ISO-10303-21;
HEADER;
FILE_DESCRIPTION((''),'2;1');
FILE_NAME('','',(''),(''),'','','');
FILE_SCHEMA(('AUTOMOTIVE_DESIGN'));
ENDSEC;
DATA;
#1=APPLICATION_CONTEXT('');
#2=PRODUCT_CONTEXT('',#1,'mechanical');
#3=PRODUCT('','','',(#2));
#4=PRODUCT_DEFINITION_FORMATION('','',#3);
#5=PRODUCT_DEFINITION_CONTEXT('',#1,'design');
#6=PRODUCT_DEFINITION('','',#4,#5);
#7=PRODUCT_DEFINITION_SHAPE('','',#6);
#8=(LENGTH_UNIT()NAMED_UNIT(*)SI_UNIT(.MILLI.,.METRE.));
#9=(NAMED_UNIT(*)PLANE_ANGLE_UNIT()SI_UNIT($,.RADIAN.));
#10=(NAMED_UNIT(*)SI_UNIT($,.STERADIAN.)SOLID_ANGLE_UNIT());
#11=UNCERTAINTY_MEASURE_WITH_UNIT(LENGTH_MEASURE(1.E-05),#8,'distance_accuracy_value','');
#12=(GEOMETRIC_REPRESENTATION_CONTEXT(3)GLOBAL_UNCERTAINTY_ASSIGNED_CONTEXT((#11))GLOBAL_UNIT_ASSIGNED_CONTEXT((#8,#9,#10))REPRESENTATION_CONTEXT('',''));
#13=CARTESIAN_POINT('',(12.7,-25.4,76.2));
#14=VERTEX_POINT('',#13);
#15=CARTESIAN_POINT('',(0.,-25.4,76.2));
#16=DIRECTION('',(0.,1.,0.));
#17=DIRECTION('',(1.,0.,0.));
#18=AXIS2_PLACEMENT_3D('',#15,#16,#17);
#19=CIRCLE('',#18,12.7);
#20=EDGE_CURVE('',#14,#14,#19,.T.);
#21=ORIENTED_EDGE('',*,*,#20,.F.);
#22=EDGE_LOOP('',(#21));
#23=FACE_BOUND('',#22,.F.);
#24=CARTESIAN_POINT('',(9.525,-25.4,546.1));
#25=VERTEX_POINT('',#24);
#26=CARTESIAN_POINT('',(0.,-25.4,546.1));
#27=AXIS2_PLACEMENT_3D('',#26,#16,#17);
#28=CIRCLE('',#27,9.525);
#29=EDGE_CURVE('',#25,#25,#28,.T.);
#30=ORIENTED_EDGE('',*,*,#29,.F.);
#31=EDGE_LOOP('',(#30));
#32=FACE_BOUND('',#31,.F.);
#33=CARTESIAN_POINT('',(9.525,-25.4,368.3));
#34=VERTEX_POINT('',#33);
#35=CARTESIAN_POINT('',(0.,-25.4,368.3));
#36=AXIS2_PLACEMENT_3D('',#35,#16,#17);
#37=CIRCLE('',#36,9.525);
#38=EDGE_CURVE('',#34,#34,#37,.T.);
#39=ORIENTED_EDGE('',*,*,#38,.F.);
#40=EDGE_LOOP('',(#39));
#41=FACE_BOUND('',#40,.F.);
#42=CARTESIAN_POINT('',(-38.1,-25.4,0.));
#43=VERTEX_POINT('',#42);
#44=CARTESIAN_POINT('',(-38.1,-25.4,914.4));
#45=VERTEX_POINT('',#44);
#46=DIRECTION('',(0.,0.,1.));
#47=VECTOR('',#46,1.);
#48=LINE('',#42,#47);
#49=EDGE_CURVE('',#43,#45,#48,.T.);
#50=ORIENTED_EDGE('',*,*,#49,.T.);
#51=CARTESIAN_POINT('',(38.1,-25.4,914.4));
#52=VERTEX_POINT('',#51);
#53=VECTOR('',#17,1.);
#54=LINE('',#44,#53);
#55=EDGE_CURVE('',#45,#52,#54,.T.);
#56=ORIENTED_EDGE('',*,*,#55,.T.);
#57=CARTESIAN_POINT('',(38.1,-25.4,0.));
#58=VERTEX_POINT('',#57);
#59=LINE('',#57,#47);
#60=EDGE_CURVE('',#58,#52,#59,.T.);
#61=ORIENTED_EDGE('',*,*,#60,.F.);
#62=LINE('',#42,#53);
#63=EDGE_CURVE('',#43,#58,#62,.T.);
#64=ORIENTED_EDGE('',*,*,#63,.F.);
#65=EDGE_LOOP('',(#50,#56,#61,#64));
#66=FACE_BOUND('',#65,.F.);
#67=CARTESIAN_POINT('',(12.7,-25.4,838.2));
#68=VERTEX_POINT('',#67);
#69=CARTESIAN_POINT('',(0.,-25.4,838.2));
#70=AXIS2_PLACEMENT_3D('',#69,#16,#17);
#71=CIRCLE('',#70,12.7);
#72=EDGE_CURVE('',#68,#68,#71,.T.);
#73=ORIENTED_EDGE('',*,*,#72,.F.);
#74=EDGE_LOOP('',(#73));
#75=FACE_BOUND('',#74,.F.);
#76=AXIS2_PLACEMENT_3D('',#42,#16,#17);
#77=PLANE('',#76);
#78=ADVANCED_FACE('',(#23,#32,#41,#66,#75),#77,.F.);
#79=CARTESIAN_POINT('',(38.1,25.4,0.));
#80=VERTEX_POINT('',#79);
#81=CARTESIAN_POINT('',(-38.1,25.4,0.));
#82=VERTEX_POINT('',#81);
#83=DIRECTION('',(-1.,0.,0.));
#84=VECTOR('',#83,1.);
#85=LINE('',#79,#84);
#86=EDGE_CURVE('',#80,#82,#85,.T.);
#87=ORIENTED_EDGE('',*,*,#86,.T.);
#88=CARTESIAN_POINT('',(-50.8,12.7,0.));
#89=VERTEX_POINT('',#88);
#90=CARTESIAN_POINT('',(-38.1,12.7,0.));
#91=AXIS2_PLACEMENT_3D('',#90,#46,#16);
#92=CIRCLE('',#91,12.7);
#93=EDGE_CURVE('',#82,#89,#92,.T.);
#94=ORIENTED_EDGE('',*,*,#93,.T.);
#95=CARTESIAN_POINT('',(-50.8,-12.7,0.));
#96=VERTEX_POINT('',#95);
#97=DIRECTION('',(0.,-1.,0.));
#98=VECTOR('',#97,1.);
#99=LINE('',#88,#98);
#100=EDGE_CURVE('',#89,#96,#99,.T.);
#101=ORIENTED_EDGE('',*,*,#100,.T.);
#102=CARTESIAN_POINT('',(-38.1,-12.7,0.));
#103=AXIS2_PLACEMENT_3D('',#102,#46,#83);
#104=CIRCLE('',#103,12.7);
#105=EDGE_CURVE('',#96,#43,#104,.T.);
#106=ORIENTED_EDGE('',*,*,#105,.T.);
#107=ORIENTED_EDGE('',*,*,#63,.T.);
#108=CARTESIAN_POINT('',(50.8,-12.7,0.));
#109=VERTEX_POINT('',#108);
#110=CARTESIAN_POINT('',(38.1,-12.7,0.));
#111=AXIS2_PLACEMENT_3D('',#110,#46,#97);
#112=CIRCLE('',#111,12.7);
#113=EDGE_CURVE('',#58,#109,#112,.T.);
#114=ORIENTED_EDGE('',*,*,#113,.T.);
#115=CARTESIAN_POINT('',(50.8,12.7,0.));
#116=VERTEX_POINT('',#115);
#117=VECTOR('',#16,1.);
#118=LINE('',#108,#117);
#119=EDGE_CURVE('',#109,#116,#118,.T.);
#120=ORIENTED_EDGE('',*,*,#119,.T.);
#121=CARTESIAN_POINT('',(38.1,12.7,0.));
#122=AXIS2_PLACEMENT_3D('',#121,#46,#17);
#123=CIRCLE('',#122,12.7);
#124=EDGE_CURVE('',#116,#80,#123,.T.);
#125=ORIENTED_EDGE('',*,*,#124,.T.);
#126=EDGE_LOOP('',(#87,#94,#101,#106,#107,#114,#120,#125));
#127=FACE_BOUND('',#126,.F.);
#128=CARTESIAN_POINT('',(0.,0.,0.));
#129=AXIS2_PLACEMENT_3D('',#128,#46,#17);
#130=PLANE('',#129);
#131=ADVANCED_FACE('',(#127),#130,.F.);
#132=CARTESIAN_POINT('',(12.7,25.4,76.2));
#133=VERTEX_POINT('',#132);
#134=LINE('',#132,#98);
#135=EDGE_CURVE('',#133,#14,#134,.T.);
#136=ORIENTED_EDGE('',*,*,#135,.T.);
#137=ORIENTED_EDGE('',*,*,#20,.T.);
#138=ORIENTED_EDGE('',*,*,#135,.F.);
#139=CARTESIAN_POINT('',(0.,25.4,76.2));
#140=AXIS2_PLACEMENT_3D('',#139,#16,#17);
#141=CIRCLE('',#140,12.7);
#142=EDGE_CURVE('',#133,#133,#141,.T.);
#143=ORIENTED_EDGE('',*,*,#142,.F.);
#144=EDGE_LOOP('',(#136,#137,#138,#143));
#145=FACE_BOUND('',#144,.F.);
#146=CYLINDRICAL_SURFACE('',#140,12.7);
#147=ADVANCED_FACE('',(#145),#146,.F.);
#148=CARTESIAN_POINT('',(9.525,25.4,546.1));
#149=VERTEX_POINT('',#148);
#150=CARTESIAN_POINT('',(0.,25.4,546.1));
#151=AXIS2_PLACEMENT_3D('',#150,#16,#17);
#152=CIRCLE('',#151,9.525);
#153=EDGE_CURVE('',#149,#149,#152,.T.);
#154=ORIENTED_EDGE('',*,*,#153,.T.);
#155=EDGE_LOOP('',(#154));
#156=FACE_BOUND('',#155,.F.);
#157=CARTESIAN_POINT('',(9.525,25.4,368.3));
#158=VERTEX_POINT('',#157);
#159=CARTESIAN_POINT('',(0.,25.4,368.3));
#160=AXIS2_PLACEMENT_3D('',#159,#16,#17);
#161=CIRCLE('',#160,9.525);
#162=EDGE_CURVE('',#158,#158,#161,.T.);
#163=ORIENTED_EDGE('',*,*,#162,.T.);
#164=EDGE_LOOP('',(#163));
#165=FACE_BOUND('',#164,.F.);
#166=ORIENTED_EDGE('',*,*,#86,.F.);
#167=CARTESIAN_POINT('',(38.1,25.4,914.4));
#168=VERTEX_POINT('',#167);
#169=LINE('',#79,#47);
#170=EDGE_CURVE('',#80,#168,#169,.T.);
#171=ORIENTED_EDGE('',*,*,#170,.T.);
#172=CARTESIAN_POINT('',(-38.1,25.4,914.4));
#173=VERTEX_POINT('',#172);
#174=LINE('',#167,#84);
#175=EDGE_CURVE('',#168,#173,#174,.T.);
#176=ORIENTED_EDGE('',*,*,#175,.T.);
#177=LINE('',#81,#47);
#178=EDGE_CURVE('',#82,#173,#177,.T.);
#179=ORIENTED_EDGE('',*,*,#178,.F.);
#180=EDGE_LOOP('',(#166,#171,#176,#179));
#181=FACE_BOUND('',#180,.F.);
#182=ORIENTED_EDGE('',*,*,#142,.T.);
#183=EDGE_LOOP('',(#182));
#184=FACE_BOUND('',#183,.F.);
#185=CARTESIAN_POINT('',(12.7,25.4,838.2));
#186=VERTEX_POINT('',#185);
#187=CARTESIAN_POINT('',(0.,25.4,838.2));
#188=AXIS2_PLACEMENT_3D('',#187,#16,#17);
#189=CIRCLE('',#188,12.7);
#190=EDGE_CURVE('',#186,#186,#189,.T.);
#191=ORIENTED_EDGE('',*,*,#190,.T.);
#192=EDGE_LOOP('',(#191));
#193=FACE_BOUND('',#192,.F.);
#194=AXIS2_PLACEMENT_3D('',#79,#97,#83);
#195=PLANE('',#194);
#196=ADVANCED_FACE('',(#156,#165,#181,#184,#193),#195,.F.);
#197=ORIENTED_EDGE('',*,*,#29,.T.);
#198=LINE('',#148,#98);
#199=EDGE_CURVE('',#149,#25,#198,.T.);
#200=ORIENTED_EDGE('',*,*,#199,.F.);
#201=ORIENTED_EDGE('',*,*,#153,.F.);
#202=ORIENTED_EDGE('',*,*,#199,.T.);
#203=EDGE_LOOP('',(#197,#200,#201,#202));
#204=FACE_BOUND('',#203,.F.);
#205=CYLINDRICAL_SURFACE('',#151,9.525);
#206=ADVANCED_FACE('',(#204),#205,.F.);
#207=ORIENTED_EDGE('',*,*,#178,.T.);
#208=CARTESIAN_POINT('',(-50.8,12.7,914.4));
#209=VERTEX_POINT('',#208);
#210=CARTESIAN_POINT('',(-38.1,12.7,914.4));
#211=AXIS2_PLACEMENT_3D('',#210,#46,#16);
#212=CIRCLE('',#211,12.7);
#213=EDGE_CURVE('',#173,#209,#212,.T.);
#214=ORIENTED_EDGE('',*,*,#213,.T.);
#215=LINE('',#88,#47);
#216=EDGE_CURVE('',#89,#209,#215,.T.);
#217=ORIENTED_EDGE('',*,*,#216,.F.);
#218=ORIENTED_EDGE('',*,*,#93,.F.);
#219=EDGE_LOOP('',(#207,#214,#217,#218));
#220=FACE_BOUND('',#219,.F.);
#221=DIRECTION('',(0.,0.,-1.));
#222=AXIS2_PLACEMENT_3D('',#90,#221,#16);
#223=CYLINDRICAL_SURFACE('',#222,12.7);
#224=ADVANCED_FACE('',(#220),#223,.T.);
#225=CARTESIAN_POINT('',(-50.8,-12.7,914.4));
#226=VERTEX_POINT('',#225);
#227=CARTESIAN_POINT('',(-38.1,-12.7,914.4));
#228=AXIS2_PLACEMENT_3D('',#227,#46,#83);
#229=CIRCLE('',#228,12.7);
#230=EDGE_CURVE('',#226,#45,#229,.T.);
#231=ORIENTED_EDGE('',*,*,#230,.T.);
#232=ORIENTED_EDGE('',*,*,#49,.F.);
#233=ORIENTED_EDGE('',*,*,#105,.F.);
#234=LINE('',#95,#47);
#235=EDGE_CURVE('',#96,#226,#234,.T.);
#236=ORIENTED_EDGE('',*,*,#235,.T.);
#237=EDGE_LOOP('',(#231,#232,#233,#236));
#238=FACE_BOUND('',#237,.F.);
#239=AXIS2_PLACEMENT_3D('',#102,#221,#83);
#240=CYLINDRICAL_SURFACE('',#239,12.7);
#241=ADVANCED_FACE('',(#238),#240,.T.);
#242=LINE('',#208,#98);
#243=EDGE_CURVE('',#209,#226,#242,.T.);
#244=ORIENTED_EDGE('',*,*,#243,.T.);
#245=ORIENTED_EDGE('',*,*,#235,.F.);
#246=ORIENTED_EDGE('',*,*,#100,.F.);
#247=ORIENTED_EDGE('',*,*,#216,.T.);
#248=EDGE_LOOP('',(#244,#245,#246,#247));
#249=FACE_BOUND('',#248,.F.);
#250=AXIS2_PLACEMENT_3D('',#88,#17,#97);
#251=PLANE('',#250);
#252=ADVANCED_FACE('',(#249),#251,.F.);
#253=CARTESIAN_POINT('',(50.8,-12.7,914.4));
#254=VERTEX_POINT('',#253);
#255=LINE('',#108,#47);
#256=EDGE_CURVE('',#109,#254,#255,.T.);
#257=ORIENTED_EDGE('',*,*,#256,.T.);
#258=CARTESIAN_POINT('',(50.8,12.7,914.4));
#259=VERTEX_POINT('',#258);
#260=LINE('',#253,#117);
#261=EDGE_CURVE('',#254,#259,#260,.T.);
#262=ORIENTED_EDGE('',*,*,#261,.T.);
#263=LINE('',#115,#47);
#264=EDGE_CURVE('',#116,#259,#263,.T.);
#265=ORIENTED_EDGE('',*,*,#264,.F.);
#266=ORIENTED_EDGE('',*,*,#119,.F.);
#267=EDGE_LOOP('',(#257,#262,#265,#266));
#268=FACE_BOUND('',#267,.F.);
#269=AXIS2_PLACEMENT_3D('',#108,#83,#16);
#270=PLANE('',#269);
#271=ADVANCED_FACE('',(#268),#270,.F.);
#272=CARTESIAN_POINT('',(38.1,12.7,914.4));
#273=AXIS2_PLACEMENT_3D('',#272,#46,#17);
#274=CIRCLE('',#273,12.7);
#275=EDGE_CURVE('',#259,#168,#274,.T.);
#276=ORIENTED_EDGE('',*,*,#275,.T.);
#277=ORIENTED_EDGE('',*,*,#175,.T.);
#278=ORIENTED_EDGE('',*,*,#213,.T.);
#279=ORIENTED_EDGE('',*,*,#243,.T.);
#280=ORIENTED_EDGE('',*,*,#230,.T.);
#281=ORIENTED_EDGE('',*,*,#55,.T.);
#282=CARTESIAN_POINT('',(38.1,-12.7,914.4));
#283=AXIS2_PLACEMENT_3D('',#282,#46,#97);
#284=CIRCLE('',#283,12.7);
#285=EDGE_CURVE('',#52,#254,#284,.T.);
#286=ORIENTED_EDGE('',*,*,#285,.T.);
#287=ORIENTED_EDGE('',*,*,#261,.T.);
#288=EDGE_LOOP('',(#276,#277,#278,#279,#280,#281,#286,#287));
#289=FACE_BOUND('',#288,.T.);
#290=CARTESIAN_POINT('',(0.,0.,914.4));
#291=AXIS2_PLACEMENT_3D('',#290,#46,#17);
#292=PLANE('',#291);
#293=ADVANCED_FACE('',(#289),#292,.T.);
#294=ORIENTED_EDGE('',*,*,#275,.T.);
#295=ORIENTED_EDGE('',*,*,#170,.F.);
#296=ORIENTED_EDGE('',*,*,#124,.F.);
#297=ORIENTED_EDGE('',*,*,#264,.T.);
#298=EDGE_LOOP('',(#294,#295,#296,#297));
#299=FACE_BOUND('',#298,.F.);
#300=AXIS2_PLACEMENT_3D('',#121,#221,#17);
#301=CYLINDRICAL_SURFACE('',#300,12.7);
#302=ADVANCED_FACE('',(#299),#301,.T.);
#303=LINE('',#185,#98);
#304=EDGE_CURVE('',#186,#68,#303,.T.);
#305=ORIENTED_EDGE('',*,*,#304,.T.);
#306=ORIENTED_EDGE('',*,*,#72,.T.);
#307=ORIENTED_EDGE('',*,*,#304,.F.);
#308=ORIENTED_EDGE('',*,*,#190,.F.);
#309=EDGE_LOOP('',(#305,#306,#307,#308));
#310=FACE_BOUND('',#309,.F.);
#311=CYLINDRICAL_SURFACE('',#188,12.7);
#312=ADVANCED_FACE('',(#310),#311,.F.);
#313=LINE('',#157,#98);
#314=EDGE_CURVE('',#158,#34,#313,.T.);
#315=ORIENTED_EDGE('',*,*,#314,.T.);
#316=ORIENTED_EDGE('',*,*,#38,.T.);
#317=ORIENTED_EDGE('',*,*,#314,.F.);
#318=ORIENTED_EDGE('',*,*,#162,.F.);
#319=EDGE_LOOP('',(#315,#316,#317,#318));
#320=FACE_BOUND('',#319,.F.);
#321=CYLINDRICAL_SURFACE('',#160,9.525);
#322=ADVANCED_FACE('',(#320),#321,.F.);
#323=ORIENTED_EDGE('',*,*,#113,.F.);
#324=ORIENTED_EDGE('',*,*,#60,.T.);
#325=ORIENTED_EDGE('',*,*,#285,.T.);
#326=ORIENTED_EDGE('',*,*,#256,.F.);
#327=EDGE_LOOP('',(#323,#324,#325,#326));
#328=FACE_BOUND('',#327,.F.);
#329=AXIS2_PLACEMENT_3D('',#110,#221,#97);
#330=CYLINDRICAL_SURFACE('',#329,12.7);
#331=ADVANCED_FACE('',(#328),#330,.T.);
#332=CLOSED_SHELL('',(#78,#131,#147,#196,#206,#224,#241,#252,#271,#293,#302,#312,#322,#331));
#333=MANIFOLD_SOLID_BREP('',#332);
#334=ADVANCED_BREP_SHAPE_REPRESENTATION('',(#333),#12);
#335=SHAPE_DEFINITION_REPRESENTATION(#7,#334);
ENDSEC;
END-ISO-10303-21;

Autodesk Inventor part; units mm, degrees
ref_plane "YZ Plane" through (0, 0, 0) normal (1, 0, 0) x (0, 1, 0)
ref_plane "XZ Plane" through (0, 0, 0) normal (0, 1, 0) x (-1, 0, 0)
ref_plane "XY Plane" through (0, 0, 0) normal (0, 0, 1) x (1, 0, 0)
sketch "Sketch1" plane through (0, 0, 0) normal (0, 0, 1) x (1, 0, 0)
  line L0 (-38.1, -25.4) -> (38.1, -25.4)
  line L1 (50.8, -12.7) -> (50.8, 12.7)
  line L2 (38.1, 25.4) -> (-38.1, 25.4)
  line L3 (-50.8, 12.7) -> (-50.8, -12.7)
  line L4 (-50.8, -25.4) -> (50.8, 25.4) construction
  line L5 (50.8, -25.4) -> (-50.8, 25.4) construction
  arc A0 (-38.1, 25.4) -> (-50.8, 12.7) centre (-38.1, 12.7) ccw
  arc A1 (-50.8, -12.7) -> (-38.1, -25.4) centre (-38.1, -12.7) ccw
  arc A2 (38.1, -25.4) -> (50.8, -12.7) centre (38.1, -12.7) ccw
  arc A3 (50.8, 12.7) -> (38.1, 25.4) centre (38.1, 12.7) ccw
  point P0 (0, 0)
  dimension "d0" = 50.8
  dimension "d1" = 101.6
  dimension "d2" = 12.7
extrude "Extrusion1" add sketch "Sketch1" along normal blind 914.4
sketch "Sketch2" plane through (-38.1, 25.4, 0) normal (0, 1, 0) x (1, 0, 0)
  circle A0 centre (38.1, -838.2) radius 12.7
  circle A1 centre (38.1, -76.2) radius 12.7
  line L0 (76.2, 0) -> (0, 0) projected
  line L1 (-12.7, 0) -> (-12.7, -914.4) projected
  circle A2 centre (38.1, -546.1) radius 9.525
  circle A3 centre (38.1, -368.3) radius 9.525
  point P0 (38.1, 0)
  point P1 (38.1, 0)
  point P2 (-12.7, -457.2)
  dimension "d5" = 762
  dimension "d6" = 381
  dimension "d7" = 25.4
  dimension "d10" = 177.8
  dimension "d11" = 88.9
  dimension "d12" = 19.05
extrude "Extrusion2" cut sketch "Sketch2" against normal blind 609.6
properties part number "Wood-4"
